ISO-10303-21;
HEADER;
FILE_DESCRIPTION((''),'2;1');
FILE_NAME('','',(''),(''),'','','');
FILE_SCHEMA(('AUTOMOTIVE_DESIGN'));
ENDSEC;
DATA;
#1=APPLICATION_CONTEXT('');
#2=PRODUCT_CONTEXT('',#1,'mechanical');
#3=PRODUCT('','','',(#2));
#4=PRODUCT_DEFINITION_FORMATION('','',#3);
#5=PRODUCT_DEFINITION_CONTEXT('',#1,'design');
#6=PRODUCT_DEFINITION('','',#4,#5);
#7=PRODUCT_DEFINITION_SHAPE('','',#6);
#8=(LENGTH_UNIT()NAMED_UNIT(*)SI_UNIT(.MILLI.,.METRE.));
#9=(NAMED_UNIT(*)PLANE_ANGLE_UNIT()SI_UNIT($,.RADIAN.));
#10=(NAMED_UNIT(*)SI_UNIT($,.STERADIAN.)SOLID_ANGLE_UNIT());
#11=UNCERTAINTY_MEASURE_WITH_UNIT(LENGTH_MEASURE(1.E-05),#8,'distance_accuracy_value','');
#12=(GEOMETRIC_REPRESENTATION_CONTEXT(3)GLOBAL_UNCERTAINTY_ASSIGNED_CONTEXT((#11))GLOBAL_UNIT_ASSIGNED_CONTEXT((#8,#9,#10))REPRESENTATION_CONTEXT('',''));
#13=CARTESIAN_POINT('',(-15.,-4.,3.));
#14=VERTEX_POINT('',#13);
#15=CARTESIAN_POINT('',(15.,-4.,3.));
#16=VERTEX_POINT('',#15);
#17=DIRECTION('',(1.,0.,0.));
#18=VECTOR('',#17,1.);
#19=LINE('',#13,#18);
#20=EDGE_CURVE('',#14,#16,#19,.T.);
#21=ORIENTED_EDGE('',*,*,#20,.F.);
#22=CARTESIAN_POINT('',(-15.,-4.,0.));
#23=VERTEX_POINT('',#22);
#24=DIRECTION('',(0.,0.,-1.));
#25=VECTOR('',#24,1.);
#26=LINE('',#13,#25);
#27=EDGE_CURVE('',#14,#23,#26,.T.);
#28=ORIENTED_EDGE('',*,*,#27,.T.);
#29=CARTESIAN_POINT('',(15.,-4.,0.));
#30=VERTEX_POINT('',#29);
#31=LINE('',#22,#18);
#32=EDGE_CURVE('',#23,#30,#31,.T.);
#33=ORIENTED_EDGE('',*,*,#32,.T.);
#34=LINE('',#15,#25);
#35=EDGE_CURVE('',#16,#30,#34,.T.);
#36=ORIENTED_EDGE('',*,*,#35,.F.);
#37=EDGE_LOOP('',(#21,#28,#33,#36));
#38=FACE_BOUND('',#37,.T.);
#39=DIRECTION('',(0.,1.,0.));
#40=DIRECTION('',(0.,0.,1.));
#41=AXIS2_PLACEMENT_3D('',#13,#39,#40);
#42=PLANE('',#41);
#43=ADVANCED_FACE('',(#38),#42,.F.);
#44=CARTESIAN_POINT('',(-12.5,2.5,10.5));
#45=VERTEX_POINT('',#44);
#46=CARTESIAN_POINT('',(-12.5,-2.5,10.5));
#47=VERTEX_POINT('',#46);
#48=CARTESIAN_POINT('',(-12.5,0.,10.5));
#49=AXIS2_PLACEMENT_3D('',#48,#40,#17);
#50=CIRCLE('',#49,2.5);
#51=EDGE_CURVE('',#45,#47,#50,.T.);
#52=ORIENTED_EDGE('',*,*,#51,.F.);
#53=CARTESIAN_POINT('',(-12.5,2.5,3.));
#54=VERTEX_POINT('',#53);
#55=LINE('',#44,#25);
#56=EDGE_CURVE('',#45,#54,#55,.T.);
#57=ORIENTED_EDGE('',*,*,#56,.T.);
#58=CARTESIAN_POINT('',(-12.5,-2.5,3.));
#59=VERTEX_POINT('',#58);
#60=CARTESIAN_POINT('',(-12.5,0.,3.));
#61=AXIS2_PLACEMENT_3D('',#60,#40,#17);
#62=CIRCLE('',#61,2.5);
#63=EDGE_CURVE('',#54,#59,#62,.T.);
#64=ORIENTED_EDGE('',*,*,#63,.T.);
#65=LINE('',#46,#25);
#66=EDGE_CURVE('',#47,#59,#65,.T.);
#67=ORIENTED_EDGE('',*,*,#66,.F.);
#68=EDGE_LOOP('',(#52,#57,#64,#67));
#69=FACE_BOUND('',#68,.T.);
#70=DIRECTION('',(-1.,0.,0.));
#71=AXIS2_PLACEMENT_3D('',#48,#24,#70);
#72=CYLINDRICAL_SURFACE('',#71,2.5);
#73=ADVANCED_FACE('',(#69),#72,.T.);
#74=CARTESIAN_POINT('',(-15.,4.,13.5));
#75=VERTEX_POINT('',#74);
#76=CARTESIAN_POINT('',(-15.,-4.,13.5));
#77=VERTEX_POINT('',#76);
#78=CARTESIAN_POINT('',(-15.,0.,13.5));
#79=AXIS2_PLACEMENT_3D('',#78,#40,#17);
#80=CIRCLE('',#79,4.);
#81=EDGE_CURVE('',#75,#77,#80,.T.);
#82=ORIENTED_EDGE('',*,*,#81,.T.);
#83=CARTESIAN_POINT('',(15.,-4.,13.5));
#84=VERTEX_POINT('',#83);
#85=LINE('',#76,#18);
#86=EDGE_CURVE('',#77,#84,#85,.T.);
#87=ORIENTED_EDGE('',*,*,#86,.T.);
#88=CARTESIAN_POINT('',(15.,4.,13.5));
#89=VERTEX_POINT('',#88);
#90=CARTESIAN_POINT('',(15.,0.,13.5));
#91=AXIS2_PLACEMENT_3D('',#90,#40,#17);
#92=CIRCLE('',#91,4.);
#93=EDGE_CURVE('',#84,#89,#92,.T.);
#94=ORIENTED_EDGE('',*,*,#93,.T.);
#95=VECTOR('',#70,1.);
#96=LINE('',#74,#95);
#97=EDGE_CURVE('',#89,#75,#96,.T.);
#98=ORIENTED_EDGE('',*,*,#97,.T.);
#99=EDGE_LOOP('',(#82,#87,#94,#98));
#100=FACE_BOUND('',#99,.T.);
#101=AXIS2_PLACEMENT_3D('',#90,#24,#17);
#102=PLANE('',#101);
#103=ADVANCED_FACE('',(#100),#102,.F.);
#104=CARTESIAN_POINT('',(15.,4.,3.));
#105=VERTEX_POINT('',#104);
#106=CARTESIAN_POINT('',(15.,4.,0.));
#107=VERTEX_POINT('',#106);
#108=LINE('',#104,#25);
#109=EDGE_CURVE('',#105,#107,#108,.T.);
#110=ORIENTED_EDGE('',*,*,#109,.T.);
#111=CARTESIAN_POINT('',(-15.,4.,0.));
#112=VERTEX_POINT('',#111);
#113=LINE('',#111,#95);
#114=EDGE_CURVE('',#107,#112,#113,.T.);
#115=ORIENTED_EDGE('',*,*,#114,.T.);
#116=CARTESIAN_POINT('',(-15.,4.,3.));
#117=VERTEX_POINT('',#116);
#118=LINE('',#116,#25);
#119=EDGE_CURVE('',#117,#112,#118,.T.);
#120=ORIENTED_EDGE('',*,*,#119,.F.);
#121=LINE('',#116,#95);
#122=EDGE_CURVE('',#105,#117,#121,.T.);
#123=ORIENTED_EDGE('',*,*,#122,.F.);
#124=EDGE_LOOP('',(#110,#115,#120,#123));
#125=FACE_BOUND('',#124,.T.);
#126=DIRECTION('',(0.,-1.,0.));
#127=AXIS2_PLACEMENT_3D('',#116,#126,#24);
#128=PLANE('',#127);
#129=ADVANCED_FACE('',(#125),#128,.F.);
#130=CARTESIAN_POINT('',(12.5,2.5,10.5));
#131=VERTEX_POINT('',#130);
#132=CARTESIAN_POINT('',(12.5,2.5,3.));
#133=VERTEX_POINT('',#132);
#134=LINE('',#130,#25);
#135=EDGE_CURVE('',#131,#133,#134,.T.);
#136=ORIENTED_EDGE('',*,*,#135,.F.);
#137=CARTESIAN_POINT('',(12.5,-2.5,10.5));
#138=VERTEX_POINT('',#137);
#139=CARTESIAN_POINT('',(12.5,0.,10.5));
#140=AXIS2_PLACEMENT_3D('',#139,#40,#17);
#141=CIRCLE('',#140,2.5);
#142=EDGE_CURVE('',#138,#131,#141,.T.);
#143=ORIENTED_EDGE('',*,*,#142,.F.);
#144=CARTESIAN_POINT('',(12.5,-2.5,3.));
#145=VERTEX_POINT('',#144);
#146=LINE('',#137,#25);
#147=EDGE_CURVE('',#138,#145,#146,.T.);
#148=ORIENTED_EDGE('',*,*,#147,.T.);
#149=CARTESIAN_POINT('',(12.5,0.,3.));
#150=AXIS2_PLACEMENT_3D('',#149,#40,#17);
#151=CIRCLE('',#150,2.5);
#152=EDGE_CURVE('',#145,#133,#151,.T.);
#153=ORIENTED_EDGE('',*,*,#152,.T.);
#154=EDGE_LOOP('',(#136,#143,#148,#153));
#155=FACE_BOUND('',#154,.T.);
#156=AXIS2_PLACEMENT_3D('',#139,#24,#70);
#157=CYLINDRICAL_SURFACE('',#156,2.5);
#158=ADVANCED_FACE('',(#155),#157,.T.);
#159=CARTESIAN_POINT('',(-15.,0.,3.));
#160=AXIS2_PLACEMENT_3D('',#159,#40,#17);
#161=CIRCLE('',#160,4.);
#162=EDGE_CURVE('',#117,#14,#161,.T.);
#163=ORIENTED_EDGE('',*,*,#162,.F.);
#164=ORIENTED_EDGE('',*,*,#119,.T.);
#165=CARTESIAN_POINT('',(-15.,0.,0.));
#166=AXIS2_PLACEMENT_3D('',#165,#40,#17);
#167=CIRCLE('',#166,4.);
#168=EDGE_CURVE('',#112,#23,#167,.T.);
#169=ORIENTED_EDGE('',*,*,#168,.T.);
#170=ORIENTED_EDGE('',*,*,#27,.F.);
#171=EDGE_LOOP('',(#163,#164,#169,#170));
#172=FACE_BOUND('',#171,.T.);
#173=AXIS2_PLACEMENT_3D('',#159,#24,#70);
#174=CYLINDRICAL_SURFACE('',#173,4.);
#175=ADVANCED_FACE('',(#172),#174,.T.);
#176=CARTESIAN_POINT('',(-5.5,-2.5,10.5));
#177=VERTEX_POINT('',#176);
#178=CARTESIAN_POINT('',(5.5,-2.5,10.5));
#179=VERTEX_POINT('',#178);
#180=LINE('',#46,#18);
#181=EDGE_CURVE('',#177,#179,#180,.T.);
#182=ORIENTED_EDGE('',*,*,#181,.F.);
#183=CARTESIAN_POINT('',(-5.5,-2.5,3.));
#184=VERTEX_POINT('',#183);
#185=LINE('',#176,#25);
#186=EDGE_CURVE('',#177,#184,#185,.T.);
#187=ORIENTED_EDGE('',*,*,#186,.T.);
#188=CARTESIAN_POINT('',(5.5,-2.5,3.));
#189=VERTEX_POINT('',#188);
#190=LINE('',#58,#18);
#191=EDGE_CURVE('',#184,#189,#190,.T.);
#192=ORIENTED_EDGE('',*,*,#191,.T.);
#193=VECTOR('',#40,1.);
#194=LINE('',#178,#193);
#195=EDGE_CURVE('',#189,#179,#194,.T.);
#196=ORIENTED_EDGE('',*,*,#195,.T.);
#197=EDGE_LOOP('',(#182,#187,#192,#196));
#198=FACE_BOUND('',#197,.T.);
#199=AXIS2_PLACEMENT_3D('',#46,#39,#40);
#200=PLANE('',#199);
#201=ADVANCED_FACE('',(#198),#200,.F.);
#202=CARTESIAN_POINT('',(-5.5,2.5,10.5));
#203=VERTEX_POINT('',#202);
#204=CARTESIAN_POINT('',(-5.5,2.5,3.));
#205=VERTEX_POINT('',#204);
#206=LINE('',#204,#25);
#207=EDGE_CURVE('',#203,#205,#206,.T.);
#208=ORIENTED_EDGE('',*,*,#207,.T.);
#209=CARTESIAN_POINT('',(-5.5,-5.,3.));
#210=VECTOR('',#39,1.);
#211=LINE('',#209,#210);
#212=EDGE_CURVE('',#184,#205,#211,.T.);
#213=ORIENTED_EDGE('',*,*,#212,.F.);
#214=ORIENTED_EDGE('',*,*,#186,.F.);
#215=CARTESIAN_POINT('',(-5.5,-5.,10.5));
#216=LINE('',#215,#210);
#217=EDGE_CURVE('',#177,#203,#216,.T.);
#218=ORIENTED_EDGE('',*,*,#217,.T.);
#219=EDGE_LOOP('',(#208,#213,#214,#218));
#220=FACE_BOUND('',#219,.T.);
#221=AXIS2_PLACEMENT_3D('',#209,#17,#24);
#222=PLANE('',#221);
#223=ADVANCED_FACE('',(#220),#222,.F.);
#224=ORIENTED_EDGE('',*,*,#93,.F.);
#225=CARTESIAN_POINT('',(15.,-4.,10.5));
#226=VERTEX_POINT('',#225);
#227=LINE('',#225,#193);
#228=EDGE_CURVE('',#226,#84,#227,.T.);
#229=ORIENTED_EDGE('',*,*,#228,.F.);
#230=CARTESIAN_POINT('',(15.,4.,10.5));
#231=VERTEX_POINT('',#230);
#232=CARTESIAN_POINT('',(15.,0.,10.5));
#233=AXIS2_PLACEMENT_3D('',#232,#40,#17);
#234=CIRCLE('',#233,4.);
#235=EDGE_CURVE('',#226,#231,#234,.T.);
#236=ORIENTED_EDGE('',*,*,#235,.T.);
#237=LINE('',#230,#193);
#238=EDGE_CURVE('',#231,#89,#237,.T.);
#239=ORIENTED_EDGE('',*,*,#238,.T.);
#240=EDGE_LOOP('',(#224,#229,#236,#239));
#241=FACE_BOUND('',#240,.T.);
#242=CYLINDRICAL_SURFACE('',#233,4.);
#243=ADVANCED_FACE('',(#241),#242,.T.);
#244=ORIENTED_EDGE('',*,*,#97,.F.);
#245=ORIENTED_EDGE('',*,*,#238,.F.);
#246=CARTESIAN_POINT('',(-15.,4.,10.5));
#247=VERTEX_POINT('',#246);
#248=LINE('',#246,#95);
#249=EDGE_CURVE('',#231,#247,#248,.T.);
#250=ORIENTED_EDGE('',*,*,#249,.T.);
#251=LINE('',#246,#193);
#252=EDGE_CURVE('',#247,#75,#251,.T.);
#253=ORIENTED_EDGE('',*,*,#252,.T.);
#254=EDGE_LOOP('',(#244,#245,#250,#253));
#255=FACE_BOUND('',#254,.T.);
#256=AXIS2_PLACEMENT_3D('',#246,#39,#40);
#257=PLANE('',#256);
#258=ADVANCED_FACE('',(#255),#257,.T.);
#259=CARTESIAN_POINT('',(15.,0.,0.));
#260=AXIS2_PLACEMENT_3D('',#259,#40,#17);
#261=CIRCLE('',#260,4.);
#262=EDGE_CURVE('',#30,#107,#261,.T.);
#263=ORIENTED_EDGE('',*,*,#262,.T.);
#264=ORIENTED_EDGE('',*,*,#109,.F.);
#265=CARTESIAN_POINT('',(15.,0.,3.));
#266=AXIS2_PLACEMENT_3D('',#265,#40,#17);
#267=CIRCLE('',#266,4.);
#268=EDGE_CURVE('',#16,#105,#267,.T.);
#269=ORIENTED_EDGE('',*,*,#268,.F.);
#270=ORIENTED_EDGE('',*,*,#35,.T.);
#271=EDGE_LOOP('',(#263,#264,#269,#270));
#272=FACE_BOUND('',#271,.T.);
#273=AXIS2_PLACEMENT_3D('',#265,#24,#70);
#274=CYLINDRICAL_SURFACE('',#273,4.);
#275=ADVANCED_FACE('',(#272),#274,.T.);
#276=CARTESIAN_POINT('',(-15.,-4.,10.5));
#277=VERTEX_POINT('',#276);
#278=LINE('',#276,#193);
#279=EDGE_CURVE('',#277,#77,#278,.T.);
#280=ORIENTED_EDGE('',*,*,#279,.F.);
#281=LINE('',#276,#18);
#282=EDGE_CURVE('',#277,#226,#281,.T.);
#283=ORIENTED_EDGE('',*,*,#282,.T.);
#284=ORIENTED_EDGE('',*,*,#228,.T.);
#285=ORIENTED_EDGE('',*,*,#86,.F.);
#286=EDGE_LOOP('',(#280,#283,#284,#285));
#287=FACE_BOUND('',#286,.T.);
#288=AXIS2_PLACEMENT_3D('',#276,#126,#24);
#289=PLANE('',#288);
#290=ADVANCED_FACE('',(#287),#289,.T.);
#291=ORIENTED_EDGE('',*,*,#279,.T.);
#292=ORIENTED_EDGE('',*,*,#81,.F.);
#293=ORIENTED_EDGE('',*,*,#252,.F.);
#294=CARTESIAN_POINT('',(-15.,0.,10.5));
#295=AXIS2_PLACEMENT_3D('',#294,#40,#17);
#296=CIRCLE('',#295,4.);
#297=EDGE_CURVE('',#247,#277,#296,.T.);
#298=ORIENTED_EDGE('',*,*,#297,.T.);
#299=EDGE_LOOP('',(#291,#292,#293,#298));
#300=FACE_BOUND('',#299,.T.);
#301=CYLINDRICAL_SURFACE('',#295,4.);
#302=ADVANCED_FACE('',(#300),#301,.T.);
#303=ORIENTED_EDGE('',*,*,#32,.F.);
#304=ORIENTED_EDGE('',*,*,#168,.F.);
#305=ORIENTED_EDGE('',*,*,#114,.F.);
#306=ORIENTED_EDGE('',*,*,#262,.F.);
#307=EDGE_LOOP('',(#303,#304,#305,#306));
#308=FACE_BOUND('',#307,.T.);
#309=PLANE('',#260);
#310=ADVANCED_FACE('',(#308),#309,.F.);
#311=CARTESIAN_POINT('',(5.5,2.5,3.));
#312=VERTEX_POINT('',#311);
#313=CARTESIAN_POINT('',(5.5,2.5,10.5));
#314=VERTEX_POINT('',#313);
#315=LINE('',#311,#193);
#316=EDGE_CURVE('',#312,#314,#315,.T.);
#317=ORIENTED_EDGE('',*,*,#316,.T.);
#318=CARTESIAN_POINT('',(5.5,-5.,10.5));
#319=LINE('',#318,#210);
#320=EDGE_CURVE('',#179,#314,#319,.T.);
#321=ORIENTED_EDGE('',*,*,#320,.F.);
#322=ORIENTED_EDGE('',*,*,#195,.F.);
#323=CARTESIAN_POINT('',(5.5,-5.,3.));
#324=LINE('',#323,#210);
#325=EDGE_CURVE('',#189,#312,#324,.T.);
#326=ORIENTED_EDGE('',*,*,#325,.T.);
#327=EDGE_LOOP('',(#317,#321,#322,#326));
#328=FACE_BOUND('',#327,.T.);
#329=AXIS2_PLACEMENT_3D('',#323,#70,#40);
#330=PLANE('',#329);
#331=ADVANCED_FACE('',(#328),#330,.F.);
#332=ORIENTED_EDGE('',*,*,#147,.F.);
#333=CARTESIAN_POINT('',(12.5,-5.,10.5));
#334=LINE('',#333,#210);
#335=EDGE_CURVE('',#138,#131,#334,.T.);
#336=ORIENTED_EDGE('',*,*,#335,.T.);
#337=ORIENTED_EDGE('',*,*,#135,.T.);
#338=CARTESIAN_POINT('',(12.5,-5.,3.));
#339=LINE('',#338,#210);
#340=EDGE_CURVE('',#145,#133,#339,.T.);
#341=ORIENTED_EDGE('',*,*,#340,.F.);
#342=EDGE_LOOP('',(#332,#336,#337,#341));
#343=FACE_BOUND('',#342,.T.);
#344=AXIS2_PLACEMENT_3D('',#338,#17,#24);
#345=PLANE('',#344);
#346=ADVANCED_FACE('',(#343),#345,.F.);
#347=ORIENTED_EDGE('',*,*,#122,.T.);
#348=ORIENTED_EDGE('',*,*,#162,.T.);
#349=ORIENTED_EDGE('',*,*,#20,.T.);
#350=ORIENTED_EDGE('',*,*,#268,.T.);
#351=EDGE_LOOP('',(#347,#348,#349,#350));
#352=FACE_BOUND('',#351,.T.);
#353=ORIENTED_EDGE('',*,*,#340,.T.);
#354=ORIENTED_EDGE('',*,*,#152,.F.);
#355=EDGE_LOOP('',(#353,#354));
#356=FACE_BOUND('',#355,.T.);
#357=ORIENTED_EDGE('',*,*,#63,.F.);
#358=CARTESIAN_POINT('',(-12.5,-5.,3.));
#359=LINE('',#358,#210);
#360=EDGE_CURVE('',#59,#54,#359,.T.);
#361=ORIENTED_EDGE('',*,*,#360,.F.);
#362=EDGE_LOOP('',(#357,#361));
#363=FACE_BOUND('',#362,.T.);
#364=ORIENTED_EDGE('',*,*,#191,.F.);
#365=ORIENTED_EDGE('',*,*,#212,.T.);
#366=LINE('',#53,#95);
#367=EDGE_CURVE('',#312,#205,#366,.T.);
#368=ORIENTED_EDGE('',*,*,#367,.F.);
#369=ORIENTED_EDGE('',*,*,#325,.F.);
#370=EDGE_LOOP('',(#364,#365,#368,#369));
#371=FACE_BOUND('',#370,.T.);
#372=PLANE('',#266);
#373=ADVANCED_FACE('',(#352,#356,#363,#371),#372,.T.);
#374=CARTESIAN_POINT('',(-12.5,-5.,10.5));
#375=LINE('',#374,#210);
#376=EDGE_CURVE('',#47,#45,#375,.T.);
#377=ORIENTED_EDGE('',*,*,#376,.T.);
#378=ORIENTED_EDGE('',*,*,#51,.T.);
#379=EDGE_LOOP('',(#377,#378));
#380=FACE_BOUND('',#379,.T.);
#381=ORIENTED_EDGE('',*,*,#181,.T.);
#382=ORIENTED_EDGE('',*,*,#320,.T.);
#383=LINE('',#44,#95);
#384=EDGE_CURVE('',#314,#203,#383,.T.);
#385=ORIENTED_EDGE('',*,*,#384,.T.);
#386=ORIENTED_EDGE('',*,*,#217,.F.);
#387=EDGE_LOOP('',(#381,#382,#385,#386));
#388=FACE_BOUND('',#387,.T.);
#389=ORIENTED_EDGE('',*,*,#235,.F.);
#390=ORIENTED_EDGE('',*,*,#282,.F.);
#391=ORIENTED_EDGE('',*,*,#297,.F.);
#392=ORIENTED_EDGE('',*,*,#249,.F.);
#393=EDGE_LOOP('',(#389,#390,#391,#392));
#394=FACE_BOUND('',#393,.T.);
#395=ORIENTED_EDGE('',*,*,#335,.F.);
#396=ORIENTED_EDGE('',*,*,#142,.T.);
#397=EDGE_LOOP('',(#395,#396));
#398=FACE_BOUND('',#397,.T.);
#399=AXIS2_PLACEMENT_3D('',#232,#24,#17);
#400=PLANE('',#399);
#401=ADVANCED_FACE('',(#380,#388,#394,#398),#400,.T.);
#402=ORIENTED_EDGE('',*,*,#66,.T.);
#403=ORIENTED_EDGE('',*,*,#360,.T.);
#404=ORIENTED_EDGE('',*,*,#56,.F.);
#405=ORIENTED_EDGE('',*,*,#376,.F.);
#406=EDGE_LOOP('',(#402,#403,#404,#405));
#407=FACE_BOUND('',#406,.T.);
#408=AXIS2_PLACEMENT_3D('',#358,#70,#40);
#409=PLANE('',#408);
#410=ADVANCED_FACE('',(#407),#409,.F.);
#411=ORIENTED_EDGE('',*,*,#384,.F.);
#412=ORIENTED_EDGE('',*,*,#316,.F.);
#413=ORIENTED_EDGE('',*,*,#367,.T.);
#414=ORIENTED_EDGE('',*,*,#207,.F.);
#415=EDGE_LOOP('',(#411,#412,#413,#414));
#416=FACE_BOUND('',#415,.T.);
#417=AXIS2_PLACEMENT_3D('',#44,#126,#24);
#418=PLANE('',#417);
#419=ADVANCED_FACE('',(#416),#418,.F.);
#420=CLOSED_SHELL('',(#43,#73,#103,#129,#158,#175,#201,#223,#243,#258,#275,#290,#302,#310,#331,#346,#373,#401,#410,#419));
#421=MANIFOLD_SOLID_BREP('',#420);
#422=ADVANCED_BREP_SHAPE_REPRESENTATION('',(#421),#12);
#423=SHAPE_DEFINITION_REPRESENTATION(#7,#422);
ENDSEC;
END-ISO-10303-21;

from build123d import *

# Parameters (mm, degrees)
BOSS_EXTRUDE1_DEPTH = 3
BOSS_EXTRUDE2_DEPTH = 7.5
SKETCH6_W           = 7
SKETCH6_H           = 7.5
CUT_EXTRUDE1_DEPTH  = 7.5


with BuildPart() as part:
    # Sketch1 → Boss-Extrude1 (new body)
    with BuildSketch(Plane.XY):
        with BuildLine():
            Line((-15, 4), (15, 4))
            ThreePointArc((15, 4), (19, 0), (15, -4))
            Line((15, -4), (-15, -4))
            ThreePointArc((-15, -4), (-19, 0), (-15, 4))
        make_face()
    boss_extrude1 = extrude(amount=BOSS_EXTRUDE1_DEPTH)

    # Sketch4 → Boss-Extrude2 (add)
    with BuildSketch(Plane.XY.offset(3)):
        with BuildLine():
            Line((-12.5, 2.5), (12.5, 2.5))
            ThreePointArc((12.5, 2.5), (15, 0), (12.5, -2.5))
            Line((12.5, -2.5), (-12.5, -2.5))
            ThreePointArc((-12.5, -2.5), (-15, 0), (-12.5, 2.5))
        make_face()
    extrude(amount=BOSS_EXTRUDE2_DEPTH)

    # Mirror1: Boss-Extrude1 across plane
    add(boss_extrude1.mirror(Plane.XY.offset(6.75)))

    # Sketch6 → Cut-Extrude1 (cut)
    with BuildSketch(Plane(origin=(0, 2.5, 0), x_dir=(1, 0, 0), z_dir=(0, 1, 0))):
        with Locations((-9, -6.75)):
            Rectangle(SKETCH6_W, SKETCH6_H)
        with Locations((9, -6.75)):
            Rectangle(SKETCH6_W, SKETCH6_H)
    extrude(amount=-CUT_EXTRUDE1_DEPTH, mode=Mode.SUBTRACT)


solid = part.part
